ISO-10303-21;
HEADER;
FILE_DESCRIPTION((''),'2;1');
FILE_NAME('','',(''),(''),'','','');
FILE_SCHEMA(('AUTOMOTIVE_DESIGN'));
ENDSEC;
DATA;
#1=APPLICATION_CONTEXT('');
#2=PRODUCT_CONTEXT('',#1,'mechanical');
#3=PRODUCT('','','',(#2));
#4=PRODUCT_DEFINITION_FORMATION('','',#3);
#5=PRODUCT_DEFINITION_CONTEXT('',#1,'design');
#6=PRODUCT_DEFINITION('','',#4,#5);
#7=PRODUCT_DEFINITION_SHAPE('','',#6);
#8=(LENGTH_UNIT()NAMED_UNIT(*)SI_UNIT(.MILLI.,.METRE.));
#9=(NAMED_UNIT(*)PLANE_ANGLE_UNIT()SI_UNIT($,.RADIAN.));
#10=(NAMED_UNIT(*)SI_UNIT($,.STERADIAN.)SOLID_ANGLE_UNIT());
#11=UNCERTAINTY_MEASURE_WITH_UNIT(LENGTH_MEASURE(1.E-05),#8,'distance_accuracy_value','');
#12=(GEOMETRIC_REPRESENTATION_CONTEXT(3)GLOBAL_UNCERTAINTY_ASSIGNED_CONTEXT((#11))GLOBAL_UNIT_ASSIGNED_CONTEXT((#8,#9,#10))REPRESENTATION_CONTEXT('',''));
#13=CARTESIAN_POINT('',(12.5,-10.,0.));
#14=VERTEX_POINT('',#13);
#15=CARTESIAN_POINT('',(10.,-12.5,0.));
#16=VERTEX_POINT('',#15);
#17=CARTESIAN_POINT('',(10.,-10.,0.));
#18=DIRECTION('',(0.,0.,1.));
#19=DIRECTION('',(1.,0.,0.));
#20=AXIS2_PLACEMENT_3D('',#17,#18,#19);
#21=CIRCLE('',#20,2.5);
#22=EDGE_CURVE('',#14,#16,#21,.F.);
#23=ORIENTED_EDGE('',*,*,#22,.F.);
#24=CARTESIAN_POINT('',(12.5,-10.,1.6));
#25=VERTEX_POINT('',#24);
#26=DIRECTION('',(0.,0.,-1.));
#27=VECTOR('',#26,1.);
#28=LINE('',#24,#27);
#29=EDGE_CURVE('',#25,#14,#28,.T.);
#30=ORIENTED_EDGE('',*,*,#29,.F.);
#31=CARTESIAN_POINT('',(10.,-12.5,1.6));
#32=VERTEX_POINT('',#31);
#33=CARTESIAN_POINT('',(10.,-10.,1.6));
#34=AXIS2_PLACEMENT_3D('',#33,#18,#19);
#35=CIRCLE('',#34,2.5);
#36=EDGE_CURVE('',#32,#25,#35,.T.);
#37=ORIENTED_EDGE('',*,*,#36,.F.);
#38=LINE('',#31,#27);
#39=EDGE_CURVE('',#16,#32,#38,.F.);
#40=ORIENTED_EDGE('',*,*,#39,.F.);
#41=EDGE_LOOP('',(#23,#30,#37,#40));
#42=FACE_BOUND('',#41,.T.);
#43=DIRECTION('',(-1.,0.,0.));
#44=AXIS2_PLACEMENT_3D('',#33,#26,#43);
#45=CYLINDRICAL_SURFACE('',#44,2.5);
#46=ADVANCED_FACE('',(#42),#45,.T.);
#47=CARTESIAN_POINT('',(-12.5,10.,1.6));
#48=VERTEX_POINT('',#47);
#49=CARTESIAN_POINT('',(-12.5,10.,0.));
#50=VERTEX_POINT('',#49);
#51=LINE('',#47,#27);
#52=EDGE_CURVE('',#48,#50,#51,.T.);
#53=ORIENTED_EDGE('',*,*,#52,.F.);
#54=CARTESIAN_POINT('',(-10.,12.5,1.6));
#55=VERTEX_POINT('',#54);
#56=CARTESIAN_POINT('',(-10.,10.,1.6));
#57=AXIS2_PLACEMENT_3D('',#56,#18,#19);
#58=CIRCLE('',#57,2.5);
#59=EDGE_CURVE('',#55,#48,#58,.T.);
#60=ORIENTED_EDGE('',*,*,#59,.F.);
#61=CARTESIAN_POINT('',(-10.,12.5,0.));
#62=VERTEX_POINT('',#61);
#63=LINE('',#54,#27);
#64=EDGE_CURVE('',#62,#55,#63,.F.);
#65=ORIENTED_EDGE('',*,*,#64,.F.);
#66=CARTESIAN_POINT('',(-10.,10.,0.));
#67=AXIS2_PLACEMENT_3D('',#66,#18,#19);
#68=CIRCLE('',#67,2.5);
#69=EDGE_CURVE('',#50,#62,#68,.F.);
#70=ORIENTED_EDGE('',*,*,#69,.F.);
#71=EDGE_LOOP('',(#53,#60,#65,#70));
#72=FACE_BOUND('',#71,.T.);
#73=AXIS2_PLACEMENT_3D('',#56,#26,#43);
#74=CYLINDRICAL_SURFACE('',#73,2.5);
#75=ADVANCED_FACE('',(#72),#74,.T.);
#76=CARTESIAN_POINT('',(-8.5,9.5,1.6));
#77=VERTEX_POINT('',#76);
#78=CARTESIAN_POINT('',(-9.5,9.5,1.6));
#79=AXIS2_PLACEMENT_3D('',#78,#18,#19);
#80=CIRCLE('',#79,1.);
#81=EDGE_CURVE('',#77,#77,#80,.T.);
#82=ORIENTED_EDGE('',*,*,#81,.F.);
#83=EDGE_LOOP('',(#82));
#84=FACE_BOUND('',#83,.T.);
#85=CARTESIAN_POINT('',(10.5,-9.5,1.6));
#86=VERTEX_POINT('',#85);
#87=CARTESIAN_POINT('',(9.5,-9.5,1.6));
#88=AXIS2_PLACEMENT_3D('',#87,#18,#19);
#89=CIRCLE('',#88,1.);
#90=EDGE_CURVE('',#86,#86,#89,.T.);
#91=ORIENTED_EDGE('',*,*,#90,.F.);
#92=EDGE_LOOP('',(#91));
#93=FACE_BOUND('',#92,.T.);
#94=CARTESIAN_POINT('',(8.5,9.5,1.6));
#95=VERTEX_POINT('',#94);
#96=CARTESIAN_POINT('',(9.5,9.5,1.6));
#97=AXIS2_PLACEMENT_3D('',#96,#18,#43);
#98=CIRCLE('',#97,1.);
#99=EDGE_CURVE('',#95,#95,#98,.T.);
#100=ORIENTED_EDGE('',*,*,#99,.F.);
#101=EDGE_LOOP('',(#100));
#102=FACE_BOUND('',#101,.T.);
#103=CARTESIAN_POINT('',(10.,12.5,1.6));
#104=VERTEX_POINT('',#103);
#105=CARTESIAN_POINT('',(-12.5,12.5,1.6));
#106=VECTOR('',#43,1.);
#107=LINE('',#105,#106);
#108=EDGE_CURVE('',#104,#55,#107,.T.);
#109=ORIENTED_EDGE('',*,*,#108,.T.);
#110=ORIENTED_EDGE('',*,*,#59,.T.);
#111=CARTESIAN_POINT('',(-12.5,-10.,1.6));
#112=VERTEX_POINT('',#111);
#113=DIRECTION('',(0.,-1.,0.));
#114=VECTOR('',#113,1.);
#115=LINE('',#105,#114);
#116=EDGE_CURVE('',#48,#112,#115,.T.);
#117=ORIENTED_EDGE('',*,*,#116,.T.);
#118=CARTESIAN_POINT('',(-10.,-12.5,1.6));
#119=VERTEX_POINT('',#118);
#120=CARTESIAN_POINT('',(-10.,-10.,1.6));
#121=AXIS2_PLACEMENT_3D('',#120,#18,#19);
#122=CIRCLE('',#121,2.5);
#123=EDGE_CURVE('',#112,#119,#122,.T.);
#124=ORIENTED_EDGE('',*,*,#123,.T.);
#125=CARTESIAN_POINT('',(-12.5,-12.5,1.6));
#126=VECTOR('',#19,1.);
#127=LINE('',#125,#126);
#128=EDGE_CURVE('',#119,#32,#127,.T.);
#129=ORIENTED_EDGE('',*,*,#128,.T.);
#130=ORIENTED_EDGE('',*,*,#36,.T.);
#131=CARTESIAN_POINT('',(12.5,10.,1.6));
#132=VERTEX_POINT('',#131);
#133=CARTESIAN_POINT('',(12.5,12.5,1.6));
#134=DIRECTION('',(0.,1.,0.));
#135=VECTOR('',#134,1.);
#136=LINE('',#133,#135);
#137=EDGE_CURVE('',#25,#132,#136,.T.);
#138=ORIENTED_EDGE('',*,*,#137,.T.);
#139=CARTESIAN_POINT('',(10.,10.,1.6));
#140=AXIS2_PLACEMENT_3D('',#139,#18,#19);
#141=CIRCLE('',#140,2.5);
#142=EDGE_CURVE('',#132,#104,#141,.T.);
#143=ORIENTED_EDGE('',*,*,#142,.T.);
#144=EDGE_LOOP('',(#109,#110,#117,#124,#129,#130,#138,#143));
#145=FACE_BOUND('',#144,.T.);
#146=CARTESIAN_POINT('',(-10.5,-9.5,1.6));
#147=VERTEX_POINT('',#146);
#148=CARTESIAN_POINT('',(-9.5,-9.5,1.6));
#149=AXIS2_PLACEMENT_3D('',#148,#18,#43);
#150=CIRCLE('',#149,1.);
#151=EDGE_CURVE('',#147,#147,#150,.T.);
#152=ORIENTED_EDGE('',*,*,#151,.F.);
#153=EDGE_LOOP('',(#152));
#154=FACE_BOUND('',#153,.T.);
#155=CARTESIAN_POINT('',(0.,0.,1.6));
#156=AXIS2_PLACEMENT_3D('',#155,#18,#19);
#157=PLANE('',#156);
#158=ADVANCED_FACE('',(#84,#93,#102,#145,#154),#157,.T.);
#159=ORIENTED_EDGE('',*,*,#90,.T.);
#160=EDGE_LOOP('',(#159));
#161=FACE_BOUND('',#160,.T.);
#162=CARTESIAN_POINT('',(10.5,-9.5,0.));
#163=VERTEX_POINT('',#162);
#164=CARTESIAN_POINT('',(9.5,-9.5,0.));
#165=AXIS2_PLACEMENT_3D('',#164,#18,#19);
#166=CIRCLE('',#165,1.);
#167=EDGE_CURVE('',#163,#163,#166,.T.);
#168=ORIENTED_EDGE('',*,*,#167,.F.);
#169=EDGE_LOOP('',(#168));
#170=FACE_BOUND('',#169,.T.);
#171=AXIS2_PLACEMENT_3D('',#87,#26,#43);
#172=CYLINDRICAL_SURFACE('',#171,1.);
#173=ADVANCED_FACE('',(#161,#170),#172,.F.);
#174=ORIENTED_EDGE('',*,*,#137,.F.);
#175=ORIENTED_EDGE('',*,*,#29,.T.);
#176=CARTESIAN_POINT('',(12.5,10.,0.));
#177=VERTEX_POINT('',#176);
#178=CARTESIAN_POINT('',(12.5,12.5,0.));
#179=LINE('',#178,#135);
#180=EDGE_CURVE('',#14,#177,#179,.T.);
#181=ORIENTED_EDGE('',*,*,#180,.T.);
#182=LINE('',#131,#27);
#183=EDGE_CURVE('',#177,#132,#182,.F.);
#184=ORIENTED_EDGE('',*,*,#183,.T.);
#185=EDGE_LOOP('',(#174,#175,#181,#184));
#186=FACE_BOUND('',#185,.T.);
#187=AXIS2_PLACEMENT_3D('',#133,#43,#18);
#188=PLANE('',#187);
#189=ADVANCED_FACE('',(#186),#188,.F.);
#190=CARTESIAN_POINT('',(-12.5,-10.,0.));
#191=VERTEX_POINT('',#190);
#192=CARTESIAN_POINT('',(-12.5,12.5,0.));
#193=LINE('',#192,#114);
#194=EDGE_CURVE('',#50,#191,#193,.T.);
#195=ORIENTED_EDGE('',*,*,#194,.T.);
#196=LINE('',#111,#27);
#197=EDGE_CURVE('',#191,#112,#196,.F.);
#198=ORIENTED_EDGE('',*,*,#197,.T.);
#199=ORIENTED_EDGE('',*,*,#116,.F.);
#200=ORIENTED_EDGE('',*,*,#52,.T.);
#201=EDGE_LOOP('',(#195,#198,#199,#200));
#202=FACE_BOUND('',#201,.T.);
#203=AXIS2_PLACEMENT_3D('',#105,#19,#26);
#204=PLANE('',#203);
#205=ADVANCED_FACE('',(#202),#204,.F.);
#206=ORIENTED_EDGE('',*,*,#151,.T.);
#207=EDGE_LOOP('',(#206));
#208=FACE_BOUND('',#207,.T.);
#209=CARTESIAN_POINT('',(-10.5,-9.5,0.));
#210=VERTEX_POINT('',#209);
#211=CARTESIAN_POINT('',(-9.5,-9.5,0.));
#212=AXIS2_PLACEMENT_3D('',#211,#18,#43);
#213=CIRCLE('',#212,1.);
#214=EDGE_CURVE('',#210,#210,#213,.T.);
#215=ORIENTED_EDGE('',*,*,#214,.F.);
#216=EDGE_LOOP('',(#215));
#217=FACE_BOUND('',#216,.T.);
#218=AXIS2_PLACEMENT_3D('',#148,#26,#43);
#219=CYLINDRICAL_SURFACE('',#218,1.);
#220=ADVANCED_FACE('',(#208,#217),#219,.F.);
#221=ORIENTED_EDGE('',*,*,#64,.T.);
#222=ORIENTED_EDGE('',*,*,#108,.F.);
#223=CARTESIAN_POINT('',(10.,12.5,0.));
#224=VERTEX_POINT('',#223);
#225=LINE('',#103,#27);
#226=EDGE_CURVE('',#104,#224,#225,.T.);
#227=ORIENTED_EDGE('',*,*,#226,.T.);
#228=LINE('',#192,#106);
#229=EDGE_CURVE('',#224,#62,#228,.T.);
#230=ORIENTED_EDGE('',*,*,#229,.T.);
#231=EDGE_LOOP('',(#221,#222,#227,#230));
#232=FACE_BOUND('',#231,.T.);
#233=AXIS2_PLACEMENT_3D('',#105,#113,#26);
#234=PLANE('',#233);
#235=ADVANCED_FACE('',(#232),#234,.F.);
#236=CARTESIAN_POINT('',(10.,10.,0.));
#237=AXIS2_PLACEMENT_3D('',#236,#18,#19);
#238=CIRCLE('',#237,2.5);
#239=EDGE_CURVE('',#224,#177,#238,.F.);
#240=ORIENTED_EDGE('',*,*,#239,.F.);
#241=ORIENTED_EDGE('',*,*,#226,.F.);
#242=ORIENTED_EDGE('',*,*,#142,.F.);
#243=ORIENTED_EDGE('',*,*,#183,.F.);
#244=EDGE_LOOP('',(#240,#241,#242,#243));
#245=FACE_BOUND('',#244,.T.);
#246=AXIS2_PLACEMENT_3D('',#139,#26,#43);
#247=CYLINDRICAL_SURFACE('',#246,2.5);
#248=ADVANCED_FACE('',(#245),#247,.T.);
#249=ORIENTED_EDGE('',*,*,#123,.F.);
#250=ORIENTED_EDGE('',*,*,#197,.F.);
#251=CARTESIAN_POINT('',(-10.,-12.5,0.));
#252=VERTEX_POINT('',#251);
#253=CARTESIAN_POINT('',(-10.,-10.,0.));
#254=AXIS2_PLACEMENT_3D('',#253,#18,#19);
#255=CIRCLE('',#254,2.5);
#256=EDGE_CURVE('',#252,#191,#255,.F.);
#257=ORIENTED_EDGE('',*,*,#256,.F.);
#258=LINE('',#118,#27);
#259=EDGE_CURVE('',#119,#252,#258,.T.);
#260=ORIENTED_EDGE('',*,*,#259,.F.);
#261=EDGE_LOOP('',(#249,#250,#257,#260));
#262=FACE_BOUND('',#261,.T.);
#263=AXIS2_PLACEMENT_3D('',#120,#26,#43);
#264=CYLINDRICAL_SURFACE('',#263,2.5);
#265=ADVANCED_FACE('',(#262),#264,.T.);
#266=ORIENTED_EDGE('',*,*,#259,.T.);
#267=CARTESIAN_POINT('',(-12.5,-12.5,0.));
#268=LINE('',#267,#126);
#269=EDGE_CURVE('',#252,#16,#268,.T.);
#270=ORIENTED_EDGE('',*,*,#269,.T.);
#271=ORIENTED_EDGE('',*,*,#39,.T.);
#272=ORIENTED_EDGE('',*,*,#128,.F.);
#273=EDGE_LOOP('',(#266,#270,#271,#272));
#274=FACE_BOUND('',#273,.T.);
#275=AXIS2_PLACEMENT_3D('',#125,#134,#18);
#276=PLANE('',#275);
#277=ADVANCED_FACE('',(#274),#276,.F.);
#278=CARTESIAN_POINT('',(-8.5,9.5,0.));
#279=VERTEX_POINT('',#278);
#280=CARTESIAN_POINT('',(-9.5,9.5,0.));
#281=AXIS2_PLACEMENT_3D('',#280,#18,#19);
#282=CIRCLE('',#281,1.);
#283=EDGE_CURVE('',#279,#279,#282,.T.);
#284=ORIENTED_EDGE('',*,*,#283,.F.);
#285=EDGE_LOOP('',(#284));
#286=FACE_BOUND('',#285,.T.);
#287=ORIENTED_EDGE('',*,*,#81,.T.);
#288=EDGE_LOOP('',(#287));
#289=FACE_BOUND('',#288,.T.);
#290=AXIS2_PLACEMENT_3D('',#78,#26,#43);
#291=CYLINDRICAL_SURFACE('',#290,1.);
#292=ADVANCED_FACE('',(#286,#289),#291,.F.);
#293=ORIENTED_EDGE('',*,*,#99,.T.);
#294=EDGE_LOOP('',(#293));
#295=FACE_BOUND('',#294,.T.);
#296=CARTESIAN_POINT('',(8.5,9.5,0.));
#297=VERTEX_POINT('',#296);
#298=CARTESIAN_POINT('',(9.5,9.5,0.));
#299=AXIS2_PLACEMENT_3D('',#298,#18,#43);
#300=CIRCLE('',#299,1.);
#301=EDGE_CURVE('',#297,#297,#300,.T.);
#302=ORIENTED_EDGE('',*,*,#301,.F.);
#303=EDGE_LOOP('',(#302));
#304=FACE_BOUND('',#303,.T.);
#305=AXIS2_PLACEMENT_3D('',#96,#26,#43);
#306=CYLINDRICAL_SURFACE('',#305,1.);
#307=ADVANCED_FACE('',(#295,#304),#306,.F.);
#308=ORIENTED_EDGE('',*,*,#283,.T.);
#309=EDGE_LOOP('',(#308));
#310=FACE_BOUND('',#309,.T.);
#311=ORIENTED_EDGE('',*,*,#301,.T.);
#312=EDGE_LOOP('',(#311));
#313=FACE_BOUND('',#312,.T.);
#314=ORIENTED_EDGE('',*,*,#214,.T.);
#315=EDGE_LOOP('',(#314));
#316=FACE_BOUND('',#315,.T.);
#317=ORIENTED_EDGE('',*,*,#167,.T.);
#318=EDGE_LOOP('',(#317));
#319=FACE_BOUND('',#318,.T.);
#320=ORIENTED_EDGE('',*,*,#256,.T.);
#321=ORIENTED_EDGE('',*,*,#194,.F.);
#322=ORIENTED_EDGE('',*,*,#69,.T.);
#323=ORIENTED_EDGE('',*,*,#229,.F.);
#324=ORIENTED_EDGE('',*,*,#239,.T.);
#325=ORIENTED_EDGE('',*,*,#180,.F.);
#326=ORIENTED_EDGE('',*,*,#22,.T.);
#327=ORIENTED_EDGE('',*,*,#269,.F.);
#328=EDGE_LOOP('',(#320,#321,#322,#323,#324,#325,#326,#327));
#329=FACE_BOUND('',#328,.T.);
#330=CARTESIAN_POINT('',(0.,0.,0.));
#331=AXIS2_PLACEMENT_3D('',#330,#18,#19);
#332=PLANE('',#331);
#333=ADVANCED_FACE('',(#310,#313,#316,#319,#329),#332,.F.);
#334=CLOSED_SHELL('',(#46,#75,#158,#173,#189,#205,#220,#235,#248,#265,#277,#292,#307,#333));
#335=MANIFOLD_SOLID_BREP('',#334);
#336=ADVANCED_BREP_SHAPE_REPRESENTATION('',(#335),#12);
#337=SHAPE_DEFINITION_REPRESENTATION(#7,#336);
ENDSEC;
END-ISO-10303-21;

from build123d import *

# Parameters (mm, degrees)
SKETCH_1_W      = 25
SKETCH_1_H      = 25
SKETCH_1_R      = 1
EXTRUDE_1_DEPTH = 1.6
FILLET_1_R      = 2.5


with BuildPart() as part:
    # 草图1 → 凸台-拉伸1 (new body)
    with BuildSketch(Plane.XY):
        Rectangle(SKETCH_1_W, SKETCH_1_H)
        with Locations((-9.5, 9.5)):
            Circle(SKETCH_1_R, mode=Mode.SUBTRACT)
        with Locations(Location((9.5, 9.5, 0), (0, 0, 180))):
            Circle(SKETCH_1_R, mode=Mode.SUBTRACT)
        with Locations((9.5, -9.5)):
            Circle(SKETCH_1_R, mode=Mode.SUBTRACT)
        with Locations(Location((-9.5, -9.5, 0), (0, 0, 180))):
            Circle(SKETCH_1_R, mode=Mode.SUBTRACT)
    extrude(amount=EXTRUDE_1_DEPTH)

    # 圆角1
    fillet_1_edges = [part.edges().sort_by_distance(p)[0] for p in [
        (12.5, -12.5, 0.8),
        (-12.5, -12.5, 0.8),
        (-12.5, 12.5, 0.8),
        (12.5, 12.5, 0.8),
    ]]
    fillet(fillet_1_edges, radius=FILLET_1_R)


solid = part.part
